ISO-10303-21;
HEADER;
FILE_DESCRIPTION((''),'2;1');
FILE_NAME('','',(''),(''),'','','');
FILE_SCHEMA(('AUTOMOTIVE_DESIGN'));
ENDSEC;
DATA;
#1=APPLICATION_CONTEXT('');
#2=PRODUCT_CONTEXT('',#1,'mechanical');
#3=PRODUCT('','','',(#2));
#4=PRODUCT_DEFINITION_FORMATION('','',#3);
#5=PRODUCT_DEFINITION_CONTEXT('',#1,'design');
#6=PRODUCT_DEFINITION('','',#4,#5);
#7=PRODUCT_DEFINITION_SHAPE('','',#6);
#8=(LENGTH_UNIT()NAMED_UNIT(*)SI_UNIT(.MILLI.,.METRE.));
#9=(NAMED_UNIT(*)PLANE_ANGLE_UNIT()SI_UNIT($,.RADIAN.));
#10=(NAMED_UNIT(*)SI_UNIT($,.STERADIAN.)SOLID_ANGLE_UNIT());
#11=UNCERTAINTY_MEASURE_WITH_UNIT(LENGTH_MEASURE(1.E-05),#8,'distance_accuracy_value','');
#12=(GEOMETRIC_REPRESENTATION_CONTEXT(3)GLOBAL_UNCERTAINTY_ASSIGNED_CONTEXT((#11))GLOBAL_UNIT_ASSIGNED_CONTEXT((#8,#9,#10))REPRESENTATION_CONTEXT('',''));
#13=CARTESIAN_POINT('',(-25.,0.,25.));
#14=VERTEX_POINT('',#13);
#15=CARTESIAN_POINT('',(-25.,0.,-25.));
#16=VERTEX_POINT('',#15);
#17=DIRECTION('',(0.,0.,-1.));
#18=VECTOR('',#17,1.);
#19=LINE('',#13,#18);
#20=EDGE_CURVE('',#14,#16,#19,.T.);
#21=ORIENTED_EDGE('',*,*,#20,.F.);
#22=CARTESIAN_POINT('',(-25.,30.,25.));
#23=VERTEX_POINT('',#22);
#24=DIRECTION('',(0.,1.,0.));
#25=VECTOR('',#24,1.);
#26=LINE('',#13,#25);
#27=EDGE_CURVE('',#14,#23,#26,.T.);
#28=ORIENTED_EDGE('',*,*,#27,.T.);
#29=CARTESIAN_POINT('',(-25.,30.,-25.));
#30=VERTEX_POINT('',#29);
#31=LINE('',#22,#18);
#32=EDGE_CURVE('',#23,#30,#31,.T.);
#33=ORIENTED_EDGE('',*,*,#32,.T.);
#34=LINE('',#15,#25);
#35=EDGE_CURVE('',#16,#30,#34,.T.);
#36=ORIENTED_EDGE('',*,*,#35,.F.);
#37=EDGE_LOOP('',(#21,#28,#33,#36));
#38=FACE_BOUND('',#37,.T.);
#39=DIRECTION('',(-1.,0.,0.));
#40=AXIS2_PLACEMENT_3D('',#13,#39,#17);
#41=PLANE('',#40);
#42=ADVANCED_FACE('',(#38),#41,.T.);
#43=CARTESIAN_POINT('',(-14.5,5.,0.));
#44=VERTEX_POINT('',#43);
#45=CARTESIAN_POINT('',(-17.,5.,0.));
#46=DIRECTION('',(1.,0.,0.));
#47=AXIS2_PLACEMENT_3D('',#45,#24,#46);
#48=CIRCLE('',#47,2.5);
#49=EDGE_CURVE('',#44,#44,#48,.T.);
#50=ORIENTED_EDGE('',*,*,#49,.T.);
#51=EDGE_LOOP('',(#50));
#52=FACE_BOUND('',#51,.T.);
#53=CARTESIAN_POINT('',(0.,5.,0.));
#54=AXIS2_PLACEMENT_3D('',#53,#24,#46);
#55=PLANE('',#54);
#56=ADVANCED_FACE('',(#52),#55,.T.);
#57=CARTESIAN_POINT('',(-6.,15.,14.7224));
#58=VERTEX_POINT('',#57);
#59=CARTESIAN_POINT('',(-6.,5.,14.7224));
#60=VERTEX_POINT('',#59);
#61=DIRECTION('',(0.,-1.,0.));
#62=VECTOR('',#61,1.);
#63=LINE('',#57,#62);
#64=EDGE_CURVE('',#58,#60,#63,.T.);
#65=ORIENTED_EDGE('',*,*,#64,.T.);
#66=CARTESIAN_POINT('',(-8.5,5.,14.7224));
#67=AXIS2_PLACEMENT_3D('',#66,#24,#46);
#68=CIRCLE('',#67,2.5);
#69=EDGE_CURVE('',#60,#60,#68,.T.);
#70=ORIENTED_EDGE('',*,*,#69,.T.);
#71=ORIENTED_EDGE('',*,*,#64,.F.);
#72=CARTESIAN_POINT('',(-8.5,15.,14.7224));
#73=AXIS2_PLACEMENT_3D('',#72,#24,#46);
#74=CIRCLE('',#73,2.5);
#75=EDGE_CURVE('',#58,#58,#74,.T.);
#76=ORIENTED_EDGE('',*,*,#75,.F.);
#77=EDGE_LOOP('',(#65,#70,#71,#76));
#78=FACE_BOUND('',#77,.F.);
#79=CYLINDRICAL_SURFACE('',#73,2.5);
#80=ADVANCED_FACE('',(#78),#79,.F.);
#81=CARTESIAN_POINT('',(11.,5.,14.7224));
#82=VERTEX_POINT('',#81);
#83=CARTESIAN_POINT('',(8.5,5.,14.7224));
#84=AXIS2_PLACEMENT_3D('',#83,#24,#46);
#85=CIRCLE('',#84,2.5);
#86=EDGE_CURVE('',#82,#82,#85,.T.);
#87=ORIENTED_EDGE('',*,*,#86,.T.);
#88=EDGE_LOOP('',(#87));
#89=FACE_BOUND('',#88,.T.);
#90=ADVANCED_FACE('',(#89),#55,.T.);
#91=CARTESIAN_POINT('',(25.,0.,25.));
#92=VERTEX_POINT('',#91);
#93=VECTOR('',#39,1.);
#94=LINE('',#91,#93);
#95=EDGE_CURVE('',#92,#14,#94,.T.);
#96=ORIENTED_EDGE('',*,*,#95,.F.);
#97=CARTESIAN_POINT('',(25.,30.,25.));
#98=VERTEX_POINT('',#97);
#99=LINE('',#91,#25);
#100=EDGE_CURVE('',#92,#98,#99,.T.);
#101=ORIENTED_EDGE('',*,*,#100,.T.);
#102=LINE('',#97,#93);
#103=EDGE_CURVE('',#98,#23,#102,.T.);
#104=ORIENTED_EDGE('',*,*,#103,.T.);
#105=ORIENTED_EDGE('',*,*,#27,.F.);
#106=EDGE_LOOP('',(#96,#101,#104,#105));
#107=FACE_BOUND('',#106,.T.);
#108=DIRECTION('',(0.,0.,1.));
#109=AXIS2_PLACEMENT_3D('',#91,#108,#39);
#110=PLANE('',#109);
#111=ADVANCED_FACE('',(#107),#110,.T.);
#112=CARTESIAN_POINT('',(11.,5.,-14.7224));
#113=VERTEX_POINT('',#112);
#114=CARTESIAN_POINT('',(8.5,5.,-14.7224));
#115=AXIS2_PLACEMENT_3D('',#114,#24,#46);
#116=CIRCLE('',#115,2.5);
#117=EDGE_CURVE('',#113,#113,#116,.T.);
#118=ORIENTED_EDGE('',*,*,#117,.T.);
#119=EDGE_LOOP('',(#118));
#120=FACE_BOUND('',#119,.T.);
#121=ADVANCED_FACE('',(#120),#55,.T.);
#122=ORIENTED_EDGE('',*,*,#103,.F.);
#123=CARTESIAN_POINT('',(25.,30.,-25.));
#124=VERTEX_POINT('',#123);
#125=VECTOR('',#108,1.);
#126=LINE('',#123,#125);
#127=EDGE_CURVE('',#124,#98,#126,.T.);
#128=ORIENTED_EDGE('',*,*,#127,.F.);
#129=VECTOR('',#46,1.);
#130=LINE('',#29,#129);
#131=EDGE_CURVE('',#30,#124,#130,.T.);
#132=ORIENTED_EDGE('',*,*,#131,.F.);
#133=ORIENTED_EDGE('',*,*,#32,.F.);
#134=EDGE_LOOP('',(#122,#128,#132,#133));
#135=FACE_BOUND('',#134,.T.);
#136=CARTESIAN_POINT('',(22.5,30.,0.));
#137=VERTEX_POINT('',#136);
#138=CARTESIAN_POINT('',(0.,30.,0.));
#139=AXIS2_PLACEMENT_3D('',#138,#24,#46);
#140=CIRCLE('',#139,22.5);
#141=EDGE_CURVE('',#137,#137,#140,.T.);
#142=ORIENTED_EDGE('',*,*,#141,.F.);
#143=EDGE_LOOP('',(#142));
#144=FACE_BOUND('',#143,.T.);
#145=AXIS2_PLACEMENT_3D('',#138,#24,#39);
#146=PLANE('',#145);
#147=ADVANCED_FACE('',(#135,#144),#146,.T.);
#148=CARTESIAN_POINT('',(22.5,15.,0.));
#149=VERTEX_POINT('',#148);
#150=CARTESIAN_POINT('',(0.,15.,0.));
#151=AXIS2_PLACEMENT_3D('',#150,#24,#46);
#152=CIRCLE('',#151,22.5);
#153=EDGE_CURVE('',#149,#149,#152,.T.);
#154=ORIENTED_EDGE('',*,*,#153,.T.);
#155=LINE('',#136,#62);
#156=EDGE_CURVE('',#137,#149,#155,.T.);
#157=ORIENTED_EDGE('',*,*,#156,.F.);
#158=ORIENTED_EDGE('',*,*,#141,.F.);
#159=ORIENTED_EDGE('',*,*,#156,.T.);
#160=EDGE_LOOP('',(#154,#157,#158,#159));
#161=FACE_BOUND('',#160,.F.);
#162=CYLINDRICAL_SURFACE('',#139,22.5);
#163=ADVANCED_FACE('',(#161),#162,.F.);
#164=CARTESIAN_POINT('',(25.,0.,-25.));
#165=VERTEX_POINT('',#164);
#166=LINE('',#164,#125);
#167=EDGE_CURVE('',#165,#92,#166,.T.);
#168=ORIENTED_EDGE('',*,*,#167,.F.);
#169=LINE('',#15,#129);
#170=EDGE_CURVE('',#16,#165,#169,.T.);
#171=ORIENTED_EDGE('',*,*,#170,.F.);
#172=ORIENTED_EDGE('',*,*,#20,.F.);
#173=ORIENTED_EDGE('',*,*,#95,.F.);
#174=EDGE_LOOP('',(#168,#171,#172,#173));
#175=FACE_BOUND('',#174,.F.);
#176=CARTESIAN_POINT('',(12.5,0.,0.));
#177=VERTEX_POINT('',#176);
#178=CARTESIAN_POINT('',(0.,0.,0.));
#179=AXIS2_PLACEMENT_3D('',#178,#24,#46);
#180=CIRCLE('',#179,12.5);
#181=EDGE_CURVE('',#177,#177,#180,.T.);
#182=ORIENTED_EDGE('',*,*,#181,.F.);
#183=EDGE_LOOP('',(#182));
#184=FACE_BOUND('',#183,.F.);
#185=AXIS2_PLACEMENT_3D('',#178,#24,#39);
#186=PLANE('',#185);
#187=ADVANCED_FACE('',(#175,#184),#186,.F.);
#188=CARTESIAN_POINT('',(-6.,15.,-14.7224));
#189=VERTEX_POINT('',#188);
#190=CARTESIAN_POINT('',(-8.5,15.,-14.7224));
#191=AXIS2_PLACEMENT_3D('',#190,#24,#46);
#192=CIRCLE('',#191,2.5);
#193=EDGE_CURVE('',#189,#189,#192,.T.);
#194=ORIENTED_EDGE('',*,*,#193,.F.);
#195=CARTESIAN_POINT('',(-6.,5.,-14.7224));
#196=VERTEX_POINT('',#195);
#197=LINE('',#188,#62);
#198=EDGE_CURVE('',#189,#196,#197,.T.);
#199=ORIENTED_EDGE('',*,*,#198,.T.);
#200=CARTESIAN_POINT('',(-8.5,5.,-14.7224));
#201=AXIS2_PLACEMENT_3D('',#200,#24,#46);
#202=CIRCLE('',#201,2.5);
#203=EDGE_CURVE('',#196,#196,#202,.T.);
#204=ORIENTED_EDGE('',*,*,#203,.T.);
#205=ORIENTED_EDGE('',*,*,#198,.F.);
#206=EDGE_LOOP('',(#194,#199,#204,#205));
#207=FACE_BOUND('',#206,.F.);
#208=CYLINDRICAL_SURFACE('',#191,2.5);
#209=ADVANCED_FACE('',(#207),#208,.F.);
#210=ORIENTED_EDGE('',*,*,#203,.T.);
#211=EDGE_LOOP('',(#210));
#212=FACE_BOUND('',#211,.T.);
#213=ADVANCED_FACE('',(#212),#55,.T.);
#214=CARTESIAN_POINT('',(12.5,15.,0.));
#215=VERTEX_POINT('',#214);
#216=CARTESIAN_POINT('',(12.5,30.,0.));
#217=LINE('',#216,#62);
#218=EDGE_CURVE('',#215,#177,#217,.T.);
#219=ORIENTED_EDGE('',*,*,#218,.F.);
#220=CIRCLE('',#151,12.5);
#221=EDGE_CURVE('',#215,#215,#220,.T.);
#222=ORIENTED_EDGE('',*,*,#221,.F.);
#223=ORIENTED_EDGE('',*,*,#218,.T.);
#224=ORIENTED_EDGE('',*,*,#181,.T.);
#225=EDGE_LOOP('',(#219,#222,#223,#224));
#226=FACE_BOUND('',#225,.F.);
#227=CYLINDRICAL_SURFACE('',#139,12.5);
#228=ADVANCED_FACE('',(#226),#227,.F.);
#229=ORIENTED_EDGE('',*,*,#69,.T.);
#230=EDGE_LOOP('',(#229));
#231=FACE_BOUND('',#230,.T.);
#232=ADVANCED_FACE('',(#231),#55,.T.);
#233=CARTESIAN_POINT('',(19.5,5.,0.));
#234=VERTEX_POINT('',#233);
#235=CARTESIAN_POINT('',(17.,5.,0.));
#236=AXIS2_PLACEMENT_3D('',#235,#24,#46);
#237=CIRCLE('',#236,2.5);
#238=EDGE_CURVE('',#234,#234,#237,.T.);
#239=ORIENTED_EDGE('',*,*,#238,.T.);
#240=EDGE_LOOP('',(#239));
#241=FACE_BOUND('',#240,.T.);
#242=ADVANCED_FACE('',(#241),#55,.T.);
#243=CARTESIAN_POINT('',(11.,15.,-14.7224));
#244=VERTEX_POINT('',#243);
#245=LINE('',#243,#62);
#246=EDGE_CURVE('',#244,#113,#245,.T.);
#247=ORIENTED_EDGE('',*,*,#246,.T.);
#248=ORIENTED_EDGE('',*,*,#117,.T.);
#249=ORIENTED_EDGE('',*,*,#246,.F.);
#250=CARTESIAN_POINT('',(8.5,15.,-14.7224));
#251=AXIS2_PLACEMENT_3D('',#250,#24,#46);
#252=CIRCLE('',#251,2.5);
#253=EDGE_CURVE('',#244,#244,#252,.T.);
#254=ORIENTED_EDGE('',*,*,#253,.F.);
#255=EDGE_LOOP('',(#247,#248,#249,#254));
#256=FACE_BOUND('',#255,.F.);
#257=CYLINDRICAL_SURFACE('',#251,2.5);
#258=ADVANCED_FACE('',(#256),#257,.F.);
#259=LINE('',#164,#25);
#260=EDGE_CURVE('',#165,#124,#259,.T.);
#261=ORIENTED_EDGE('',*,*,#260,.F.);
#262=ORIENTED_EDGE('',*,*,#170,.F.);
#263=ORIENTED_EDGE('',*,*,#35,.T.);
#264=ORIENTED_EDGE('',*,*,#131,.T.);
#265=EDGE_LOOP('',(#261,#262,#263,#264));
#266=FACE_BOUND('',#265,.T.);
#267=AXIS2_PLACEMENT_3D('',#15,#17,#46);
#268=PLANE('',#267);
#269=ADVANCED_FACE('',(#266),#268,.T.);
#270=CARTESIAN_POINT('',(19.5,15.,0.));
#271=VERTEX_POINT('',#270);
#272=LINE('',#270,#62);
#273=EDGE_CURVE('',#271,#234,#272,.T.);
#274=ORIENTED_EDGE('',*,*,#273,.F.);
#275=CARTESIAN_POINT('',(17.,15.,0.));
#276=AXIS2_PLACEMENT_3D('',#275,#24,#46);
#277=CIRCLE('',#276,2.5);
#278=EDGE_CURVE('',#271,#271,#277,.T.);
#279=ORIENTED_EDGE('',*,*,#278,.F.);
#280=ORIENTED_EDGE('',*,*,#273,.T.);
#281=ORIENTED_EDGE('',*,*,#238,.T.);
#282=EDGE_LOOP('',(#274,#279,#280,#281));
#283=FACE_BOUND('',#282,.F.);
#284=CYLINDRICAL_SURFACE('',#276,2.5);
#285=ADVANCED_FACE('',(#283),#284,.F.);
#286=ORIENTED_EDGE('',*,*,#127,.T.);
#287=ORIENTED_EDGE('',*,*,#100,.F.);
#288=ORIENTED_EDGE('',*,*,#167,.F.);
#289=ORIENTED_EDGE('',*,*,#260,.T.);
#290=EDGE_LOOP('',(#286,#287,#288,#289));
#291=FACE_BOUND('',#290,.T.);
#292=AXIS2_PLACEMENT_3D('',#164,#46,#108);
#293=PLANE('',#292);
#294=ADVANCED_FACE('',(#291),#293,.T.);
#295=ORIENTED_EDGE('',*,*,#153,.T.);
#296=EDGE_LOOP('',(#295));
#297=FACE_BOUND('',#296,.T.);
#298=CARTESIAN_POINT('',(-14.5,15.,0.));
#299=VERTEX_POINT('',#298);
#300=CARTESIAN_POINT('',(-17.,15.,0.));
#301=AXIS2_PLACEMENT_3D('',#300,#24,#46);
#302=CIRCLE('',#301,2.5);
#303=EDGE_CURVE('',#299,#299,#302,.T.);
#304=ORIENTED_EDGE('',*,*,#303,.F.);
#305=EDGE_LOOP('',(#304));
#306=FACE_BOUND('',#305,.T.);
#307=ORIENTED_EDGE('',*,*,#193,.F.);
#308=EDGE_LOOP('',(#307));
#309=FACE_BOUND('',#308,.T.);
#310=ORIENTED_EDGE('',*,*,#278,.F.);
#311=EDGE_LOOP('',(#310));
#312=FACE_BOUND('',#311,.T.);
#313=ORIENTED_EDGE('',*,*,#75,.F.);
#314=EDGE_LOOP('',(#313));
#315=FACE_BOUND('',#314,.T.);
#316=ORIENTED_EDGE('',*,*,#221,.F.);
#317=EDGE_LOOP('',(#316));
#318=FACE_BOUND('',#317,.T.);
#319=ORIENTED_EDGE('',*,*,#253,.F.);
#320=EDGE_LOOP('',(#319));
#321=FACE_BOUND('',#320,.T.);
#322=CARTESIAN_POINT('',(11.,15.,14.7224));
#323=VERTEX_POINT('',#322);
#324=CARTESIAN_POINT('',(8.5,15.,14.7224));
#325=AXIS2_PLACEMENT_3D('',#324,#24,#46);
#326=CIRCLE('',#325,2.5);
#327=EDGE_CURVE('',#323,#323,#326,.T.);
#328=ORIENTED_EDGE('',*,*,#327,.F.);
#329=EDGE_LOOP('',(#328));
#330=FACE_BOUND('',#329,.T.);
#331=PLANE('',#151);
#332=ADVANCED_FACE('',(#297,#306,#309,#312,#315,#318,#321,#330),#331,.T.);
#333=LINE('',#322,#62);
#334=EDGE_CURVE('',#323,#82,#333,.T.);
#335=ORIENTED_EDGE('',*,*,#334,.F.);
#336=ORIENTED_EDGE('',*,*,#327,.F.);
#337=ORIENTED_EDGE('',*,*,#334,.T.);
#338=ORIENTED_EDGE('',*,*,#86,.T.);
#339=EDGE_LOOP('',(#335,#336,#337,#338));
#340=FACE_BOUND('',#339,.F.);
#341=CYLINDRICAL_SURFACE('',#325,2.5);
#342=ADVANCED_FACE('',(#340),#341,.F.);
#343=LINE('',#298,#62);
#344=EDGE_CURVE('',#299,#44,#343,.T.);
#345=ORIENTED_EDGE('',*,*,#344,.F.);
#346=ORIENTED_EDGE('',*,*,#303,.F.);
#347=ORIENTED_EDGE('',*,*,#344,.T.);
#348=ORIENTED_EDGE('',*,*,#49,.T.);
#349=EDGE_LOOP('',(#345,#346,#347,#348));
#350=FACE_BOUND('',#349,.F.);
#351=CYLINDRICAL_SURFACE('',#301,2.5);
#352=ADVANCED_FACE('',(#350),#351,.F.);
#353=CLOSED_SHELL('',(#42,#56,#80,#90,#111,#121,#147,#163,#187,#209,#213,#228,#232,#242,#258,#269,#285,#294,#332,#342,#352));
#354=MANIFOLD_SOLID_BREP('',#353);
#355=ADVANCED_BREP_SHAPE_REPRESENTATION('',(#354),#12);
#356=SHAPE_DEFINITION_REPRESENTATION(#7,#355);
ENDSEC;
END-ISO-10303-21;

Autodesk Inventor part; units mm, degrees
ref_plane "YZ Plane" through (0, 0, 0) normal (1, 0, 0) x (0, 1, 0)
ref_plane "XZ Plane" through (0, 0, 0) normal (0, 1, 0) x (-1, 0, 0)
ref_plane "XY Plane" through (0, 0, 0) normal (0, 0, 1) x (1, 0, 0)
sketch "Szkic1" plane through (0, 0, 0) normal (0, 1, 0) x (-1, 0, 0)
  line L0 (-25, 25) -> (25, 25)
  line L1 (25, 25) -> (25, -25)
  line L2 (25, -25) -> (-25, -25)
  line L3 (-25, -25) -> (-25, 25)
  line L4 (-25, 25) -> (25, -25) construction
  line L5 (25, 25) -> (-25, -25) construction
  point P0 (0, 0)
  dimension "d0" = 50
  dimension "d1" = 50
extrude "Wyciągnięcie proste1" add sketch "Szkic1" along normal blind 30
sketch "Szkic2" plane through (0, 30, 0) normal (0, 1, 0) x (1, 0, 0)
  circle A0 centre (0, 0) radius 12.5
  dimension "d4" = 25
extrude "Wyciągnięcie proste2" cut sketch "Szkic2" against normal up to next
sketch "Szkic3" plane through (0, 30, 0) normal (0, 1, 0) x (1, 0, 0)
  circle A0 centre (0, 0) radius 22.5
  dimension "d7" = 45
extrude "Wyciągnięcie proste3" cut sketch "Szkic3" against normal blind 15
sketch "Szkic4" plane through (0, 15, 0) normal (0, 1, 0) x (1, 0, 0)
  circle A0 centre (0, 0) radius 12.25
  circle A1 centre (0, 0) radius 21
  circle A2 centre (-17, 0) radius 2.5
  circle A3 centre (-8.5, -14.7224) radius 2.5
  circle A4 centre (8.5, -14.7224) radius 2.5
  circle A5 centre (17, 0) radius 2.5
  circle A6 centre (8.5, 14.7224) radius 2.5
  circle A7 centre (-8.5, 14.7224) radius 2.5
  dimension "d11" = 5
  dimension "d14" = 360
  dimension "d36" = 17
extrude "Wyciągnięcie proste4" cut sketch "Szkic4" against normal blind 10 contours A2 | A3 | A4 | A5 | A6 | A7
thread "Gwint1" size "M5x0.8" class "6H" standard "ANSI Metric M Profile" full length
thread "Gwint2" size "M5x0.8" class "6H" standard "ANSI Metric M Profile" full length
thread "Gwint3" size "M5x0.8" class "6H" standard "ANSI Metric M Profile" full length
thread "Gwint4" size "M5x0.8" class "6H" standard "ANSI Metric M Profile" full length
thread "Gwint5" size "M5x0.8" class "6H" standard "ANSI Metric M Profile" full length
thread "Gwint6" size "M5x0.8" class "6H" standard "ANSI Metric M Profile" full length
properties part number "Obudowa nakrętki trapezowej fi 10"
